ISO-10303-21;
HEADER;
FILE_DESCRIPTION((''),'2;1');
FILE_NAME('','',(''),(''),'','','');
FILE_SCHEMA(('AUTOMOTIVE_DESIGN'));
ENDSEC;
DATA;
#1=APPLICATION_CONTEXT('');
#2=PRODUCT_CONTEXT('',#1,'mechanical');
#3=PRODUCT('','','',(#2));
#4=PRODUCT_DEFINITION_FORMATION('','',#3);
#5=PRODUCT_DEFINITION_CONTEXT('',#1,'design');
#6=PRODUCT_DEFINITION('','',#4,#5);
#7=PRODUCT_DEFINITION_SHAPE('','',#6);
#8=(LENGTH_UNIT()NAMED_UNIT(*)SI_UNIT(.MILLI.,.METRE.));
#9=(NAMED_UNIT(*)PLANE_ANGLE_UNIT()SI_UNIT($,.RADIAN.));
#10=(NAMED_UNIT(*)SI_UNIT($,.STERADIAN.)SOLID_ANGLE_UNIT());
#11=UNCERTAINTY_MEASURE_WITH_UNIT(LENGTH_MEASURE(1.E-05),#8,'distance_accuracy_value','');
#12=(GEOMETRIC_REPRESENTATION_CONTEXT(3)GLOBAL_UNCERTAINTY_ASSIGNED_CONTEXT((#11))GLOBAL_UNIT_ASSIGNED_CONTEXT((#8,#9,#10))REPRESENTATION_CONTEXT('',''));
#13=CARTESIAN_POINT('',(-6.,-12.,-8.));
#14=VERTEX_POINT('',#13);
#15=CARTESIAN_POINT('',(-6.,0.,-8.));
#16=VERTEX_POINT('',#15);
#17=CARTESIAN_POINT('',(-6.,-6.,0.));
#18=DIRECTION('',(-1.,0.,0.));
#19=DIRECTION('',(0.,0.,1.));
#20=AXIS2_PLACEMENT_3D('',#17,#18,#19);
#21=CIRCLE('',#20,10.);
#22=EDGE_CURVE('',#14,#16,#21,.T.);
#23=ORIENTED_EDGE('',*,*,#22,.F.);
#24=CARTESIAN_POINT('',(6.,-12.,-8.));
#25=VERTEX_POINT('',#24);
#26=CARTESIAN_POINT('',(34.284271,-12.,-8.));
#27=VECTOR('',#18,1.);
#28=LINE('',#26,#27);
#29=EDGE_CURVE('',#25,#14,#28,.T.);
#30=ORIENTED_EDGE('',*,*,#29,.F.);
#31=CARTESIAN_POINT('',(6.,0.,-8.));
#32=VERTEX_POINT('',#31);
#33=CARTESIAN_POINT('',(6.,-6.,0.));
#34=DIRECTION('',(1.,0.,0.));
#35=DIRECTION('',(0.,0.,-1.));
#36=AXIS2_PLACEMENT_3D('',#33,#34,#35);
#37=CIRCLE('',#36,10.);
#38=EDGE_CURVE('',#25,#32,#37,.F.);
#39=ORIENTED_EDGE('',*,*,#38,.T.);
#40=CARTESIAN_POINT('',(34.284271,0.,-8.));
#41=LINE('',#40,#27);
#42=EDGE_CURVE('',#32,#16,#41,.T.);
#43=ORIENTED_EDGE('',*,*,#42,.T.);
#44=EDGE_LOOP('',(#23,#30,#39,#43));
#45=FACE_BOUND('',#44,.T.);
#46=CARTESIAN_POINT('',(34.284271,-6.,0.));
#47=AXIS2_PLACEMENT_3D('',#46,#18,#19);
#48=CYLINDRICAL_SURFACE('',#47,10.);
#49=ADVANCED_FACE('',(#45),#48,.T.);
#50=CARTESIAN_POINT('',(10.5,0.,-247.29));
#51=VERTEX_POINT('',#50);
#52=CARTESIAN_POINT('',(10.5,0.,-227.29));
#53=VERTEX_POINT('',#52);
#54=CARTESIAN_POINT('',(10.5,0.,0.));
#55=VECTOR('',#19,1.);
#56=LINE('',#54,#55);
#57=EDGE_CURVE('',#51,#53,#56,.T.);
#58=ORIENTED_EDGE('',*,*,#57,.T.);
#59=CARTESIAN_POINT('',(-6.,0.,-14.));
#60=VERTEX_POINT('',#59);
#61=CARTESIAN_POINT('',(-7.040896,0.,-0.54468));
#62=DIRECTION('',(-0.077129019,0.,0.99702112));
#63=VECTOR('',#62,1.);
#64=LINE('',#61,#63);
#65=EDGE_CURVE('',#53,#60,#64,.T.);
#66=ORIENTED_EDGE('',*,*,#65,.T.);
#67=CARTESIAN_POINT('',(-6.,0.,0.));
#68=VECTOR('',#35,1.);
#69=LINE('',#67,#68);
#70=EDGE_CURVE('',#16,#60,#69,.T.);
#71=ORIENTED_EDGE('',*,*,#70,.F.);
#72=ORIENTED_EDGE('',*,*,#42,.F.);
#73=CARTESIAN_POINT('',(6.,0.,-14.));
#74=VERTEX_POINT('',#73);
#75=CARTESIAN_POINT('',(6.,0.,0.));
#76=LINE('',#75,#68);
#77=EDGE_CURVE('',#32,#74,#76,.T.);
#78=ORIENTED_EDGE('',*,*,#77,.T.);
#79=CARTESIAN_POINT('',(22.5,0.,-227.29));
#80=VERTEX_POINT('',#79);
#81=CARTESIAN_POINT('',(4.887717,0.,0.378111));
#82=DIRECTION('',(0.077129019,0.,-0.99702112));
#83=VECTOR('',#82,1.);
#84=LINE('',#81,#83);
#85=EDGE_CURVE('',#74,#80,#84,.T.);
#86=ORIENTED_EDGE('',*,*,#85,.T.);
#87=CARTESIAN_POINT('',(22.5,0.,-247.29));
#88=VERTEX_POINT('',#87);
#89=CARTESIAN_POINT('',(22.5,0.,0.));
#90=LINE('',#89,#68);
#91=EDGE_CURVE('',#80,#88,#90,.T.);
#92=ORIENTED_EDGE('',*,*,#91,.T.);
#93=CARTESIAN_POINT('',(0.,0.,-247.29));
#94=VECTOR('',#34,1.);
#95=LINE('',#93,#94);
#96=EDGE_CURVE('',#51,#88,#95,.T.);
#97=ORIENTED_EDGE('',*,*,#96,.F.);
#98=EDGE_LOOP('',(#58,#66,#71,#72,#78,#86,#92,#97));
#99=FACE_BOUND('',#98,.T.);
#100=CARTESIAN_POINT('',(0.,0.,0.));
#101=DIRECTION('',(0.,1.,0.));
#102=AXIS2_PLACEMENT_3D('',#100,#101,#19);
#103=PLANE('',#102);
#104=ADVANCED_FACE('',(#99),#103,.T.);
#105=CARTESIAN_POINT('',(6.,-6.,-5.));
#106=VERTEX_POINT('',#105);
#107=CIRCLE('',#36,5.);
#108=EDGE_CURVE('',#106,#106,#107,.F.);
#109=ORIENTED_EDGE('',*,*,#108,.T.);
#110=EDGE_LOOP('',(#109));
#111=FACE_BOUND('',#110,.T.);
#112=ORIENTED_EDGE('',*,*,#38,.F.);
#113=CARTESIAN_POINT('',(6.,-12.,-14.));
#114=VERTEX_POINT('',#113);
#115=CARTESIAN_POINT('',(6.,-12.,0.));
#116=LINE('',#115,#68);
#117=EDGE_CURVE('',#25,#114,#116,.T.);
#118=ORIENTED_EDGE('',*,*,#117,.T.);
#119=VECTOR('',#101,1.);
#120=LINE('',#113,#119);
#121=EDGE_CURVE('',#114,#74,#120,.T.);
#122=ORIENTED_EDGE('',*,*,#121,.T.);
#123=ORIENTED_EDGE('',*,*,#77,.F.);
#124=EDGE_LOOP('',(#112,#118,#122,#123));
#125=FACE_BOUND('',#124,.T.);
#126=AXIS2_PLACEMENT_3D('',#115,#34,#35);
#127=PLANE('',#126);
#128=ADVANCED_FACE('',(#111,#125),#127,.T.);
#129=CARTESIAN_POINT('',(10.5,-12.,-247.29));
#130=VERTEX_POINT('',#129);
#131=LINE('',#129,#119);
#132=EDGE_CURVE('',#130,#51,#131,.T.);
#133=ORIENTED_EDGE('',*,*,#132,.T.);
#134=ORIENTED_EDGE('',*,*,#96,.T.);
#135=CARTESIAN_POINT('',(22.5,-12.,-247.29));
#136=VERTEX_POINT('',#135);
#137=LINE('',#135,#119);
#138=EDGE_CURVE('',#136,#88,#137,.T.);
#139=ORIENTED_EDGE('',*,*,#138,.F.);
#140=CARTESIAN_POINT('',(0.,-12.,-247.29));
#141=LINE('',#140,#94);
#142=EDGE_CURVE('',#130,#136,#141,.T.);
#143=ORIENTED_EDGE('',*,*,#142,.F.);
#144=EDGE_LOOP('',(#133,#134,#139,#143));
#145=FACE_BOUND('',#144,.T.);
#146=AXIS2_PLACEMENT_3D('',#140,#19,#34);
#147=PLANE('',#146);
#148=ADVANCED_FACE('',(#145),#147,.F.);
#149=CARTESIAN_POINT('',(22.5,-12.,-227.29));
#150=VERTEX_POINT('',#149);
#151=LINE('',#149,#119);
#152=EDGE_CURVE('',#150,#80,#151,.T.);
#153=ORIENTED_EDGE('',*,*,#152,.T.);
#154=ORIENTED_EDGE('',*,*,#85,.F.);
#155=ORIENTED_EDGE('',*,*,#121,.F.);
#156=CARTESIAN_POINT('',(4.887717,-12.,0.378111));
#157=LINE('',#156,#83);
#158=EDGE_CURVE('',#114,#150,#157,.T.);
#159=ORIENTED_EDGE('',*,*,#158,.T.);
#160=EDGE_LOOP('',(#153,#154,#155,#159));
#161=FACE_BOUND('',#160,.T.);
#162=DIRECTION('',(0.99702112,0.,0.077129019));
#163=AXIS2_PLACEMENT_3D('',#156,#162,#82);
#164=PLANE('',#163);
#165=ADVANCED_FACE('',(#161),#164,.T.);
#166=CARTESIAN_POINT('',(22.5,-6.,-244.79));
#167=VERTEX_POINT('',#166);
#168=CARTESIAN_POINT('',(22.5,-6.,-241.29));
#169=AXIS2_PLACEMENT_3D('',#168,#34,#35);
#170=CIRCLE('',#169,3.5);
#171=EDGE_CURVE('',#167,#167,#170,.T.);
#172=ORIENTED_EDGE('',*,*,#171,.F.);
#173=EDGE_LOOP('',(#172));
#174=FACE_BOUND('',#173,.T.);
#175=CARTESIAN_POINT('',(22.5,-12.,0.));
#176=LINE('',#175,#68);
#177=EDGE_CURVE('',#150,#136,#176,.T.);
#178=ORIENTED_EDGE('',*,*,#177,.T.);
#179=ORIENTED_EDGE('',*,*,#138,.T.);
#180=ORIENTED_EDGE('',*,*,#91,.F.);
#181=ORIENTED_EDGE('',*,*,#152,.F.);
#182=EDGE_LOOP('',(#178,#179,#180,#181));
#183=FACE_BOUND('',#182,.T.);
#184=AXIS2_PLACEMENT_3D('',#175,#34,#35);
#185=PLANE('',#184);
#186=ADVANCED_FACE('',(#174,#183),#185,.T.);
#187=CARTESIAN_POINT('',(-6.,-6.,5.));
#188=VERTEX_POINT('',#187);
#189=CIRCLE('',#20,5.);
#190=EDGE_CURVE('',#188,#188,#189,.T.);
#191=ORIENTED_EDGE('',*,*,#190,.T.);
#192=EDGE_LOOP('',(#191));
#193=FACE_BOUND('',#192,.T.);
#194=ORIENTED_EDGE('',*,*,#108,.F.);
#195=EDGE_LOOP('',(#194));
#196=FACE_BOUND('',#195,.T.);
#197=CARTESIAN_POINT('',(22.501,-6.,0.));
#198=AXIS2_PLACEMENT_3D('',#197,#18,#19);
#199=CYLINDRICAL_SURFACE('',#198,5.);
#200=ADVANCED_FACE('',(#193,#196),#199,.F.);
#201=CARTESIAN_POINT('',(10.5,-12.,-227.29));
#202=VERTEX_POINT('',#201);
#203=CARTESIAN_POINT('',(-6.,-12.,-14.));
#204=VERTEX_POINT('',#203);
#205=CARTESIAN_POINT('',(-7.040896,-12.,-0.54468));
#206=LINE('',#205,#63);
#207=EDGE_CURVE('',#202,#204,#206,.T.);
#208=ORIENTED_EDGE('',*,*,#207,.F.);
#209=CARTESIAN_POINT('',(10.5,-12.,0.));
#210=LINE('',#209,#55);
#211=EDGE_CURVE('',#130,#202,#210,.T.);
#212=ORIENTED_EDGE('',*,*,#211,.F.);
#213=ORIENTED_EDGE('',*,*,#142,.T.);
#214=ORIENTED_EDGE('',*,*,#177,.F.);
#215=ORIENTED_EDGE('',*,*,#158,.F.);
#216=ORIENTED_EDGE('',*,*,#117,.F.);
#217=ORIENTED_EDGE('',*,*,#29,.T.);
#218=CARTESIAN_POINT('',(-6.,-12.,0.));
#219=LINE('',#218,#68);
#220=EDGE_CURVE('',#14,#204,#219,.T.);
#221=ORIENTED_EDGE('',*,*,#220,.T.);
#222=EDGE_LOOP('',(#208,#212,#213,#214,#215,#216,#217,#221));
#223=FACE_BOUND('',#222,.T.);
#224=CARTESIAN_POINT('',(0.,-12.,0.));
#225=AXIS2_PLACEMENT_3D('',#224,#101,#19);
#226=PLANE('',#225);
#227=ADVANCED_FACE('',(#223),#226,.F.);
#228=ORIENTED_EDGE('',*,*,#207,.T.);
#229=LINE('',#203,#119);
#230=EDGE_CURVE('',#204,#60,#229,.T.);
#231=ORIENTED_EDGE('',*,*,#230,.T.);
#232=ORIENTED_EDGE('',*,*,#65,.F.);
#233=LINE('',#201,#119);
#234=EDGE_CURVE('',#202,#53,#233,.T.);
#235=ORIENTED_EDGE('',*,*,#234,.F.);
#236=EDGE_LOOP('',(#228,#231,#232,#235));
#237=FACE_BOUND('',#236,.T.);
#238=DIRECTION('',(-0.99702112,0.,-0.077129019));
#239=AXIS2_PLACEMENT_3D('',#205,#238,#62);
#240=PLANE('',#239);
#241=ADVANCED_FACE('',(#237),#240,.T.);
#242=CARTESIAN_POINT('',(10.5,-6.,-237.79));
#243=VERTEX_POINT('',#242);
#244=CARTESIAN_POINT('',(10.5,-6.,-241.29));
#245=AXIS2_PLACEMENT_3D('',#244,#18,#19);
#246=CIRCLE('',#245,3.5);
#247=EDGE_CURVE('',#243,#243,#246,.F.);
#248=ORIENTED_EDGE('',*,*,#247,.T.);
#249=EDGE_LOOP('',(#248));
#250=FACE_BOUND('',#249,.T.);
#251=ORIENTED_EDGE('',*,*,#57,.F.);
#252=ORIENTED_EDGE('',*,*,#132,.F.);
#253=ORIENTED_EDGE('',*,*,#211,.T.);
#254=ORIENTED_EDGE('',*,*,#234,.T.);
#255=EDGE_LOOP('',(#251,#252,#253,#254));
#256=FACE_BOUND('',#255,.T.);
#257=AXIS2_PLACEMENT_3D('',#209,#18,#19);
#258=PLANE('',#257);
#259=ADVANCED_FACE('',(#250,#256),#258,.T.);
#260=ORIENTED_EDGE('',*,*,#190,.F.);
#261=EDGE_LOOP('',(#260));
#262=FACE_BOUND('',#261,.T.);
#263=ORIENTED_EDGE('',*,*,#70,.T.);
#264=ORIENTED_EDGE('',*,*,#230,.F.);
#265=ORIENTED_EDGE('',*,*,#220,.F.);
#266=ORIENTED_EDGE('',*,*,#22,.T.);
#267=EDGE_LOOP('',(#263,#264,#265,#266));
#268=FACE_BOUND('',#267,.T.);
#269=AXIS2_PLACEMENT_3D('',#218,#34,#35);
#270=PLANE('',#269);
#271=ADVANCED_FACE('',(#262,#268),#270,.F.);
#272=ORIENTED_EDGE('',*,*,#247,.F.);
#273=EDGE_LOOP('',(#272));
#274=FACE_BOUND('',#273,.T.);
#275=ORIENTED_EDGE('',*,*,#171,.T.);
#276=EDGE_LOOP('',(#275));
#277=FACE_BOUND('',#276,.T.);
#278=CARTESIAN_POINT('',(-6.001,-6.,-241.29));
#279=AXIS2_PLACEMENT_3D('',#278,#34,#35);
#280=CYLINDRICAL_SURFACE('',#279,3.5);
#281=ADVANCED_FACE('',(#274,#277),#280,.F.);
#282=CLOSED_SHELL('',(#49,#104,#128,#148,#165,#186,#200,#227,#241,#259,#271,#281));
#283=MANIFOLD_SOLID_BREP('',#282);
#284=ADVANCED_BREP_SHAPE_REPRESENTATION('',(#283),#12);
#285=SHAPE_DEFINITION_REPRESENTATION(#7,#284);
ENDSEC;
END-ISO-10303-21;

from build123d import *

# Parameters (mm, degrees)
BOSS_EXTRUDE1_DEPTH = 12
CUT_EXTRUDE3_REACH  = 251.216
SKETCH2_R           = 5
CUT_EXTRUDE4_REACH  = 251.216
SKETCH3_R           = 3.5
SKETCH4_R           = 10
SKETCH4_R_2         = 5
BOSS_EXTRUDE2_DEPTH = 12


with BuildPart() as part:
    # Sketch1 → Boss-Extrude1 (new body)
    with BuildSketch(Plane(origin=(0, 0, 0), x_dir=(1, 0, 0), z_dir=(0, 1, 0))):
        Polygon((10.5, 227.29), (22.5, 227.29), (6, 14), (-6, 14), align=None)
        Polygon((22.5, 227.29), (22.5, 241.29), (22.5, 247.29), (16.5, 247.29), (10.5, 247.29), (10.5, 227.29), align=None)
        Polygon((6, -6), (6, 14), (-6, 14), (-6, 0), (-6, -6), (0, -6), align=None)
    extrude(amount=-BOSS_EXTRUDE1_DEPTH)

    # Sketch2 → Cut-Extrude3 (cut, up to next)
    with BuildSketch(Plane.ZY.offset(6), mode=Mode.PRIVATE) as cut_extrude3_sk1:
        with Locations((0, -6)):
            Circle(SKETCH2_R)
    cut_extrude3_tool1 = extrude(cut_extrude3_sk1.sketch, amount=-CUT_EXTRUDE3_REACH, mode=Mode.PRIVATE) & part.part
    add(cut_extrude3_tool1.solids().sort_by_distance((-6, -6, 0))[0], mode=Mode.SUBTRACT)

    # Sketch3 → Cut-Extrude4 (cut, up to next)
    with BuildSketch(Plane(origin=(22.5, 0, 0), x_dir=(0, 0, -1), z_dir=(1, 0, 0)), mode=Mode.PRIVATE) as cut_extrude4_sk1:
        with Locations((241.29, -6)):
            Circle(SKETCH3_R)
    cut_extrude4_tool1 = extrude(cut_extrude4_sk1.sketch, amount=-CUT_EXTRUDE4_REACH, mode=Mode.PRIVATE) & part.part
    add(cut_extrude4_tool1.solids().sort_by_distance((22.5, -6, -241.29))[0], mode=Mode.SUBTRACT)

    # Sketch4 → Boss-Extrude2 (add)
    with BuildSketch(Plane.ZY.offset(6)):
        with Locations((0, -6)):
            Circle(SKETCH4_R)
        with Locations((0, -6)):
            Circle(SKETCH4_R_2, mode=Mode.SUBTRACT)
    extrude(amount=-BOSS_EXTRUDE2_DEPTH)


solid = part.part
